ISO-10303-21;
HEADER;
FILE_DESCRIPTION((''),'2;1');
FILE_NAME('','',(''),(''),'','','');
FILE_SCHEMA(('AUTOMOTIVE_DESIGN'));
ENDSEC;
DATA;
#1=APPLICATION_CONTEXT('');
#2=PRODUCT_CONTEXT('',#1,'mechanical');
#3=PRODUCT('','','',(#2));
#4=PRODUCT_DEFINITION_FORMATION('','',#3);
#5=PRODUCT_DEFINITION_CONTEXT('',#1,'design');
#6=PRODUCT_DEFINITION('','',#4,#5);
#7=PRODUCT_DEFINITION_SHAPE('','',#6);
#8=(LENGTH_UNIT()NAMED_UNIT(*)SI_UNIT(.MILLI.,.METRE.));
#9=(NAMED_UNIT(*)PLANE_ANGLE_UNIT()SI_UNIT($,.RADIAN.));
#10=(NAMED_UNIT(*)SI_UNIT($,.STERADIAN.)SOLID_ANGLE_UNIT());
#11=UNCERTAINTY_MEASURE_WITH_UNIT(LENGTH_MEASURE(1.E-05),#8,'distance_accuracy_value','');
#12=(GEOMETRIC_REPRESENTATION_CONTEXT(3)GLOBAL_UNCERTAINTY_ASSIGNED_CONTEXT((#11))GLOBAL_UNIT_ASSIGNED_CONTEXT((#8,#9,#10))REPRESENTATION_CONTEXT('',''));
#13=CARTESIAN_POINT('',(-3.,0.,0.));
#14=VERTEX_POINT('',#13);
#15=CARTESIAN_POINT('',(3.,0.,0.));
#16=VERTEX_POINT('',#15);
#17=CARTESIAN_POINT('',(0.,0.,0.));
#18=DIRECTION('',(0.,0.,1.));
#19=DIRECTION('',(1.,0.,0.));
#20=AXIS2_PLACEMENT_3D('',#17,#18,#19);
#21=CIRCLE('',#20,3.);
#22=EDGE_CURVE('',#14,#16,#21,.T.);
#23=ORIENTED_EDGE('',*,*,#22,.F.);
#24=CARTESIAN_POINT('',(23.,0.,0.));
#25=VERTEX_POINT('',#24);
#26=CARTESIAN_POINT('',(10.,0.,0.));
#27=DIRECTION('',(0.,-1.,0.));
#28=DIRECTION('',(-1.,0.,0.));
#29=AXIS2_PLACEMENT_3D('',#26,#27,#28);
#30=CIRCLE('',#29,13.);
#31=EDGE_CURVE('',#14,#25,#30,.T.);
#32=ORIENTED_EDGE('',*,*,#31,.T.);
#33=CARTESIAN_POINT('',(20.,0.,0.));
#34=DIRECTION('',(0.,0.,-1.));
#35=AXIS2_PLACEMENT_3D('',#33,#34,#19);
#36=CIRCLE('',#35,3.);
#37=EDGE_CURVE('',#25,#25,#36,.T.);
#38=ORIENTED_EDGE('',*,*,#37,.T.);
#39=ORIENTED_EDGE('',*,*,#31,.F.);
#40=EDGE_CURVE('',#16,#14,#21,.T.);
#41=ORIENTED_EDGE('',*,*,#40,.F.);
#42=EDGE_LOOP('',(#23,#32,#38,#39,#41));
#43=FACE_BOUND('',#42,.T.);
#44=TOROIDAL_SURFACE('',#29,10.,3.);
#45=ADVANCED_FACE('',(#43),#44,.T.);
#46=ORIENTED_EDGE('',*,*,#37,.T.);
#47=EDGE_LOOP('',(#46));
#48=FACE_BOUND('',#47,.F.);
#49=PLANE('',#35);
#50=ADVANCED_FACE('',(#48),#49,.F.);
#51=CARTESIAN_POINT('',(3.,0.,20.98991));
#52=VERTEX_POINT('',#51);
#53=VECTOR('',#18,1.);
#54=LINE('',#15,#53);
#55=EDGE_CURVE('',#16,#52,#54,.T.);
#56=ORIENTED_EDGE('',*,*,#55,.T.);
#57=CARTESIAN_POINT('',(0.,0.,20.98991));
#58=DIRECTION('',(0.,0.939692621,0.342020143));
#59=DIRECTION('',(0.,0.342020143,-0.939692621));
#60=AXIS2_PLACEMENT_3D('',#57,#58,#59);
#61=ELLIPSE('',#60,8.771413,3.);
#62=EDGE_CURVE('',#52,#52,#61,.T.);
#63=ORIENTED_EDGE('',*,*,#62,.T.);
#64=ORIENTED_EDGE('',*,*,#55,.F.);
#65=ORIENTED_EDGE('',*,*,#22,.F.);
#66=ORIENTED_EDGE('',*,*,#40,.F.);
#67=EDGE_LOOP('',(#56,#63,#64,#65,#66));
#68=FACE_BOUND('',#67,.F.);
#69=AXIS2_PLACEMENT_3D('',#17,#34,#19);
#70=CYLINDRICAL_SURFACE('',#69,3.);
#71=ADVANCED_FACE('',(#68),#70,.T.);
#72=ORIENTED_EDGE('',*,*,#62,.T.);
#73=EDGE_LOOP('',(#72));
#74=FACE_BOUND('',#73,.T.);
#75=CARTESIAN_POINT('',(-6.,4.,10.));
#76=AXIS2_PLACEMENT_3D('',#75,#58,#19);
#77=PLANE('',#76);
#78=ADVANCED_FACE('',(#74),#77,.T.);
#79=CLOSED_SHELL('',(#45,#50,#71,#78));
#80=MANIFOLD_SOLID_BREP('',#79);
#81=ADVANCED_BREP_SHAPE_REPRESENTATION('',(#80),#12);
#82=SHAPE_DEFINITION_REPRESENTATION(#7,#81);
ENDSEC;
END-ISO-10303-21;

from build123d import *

# Parameters (mm, degrees)
BOX_W                 = 12
BOX_H                 = 8
BOX_DEPTH             = 23
BOX_ROLL_ANGLE        = 20
TORUS_R               = 3
TORUS_ANGLE           = 180
TORUS_ROLL_ANGLE      = -90
TORUS_PLACEMENT_ANGLE = 180
CYLINDER_R            = 3
CYLINDER_DEPTH        = 30


with BuildPart() as pared:
    # Box → Box (new body)
    with BuildSketch(Plane.XY):
        with Locations((6, 4)):
            Rectangle(BOX_W, BOX_H)
    extrude(amount=BOX_DEPTH)


with BuildPart() as pared_1:
    # Box roll: moved
    add(pared.part.rotate(Axis((0, 0, 0), (1, 0, 0)), BOX_ROLL_ANGLE))


with BuildPart() as pared_2:
    # Box placement: moved
    add(pared_1.part.moved(Location((-6, 4, 10))))


with BuildPart() as torus:
    # Torus → Torus (revolve)
    with BuildSketch(Plane.XZ):
        with Locations((10, 0)):
            Circle(TORUS_R)
    revolve(axis=Axis((0, 0, 0), (0, 0, 1)), revolution_arc=TORUS_ANGLE)


with BuildPart() as torus_1:
    # Torus roll: moved
    add(torus.part.rotate(Axis((0, 0, 0), (1, 0, 0)), TORUS_ROLL_ANGLE))


with BuildPart() as torus_2:
    # Torus placement: moved
    add(torus_1.part.moved(Location((10, 0, 0))).rotate(Axis((10, 0, 0), (0, 0, 1)), TORUS_PLACEMENT_ANGLE))


with BuildPart() as cut:
    # Cylinder → Cylinder (new body)
    with BuildSketch(Plane.XY):
        Circle(CYLINDER_R)
    extrude(amount=CYLINDER_DEPTH)

    # Fusion: union Torus
    add(torus_2.part)

    # Cut: cut pared
    add(pared_2.part, mode=Mode.SUBTRACT)


solid = cut.part
